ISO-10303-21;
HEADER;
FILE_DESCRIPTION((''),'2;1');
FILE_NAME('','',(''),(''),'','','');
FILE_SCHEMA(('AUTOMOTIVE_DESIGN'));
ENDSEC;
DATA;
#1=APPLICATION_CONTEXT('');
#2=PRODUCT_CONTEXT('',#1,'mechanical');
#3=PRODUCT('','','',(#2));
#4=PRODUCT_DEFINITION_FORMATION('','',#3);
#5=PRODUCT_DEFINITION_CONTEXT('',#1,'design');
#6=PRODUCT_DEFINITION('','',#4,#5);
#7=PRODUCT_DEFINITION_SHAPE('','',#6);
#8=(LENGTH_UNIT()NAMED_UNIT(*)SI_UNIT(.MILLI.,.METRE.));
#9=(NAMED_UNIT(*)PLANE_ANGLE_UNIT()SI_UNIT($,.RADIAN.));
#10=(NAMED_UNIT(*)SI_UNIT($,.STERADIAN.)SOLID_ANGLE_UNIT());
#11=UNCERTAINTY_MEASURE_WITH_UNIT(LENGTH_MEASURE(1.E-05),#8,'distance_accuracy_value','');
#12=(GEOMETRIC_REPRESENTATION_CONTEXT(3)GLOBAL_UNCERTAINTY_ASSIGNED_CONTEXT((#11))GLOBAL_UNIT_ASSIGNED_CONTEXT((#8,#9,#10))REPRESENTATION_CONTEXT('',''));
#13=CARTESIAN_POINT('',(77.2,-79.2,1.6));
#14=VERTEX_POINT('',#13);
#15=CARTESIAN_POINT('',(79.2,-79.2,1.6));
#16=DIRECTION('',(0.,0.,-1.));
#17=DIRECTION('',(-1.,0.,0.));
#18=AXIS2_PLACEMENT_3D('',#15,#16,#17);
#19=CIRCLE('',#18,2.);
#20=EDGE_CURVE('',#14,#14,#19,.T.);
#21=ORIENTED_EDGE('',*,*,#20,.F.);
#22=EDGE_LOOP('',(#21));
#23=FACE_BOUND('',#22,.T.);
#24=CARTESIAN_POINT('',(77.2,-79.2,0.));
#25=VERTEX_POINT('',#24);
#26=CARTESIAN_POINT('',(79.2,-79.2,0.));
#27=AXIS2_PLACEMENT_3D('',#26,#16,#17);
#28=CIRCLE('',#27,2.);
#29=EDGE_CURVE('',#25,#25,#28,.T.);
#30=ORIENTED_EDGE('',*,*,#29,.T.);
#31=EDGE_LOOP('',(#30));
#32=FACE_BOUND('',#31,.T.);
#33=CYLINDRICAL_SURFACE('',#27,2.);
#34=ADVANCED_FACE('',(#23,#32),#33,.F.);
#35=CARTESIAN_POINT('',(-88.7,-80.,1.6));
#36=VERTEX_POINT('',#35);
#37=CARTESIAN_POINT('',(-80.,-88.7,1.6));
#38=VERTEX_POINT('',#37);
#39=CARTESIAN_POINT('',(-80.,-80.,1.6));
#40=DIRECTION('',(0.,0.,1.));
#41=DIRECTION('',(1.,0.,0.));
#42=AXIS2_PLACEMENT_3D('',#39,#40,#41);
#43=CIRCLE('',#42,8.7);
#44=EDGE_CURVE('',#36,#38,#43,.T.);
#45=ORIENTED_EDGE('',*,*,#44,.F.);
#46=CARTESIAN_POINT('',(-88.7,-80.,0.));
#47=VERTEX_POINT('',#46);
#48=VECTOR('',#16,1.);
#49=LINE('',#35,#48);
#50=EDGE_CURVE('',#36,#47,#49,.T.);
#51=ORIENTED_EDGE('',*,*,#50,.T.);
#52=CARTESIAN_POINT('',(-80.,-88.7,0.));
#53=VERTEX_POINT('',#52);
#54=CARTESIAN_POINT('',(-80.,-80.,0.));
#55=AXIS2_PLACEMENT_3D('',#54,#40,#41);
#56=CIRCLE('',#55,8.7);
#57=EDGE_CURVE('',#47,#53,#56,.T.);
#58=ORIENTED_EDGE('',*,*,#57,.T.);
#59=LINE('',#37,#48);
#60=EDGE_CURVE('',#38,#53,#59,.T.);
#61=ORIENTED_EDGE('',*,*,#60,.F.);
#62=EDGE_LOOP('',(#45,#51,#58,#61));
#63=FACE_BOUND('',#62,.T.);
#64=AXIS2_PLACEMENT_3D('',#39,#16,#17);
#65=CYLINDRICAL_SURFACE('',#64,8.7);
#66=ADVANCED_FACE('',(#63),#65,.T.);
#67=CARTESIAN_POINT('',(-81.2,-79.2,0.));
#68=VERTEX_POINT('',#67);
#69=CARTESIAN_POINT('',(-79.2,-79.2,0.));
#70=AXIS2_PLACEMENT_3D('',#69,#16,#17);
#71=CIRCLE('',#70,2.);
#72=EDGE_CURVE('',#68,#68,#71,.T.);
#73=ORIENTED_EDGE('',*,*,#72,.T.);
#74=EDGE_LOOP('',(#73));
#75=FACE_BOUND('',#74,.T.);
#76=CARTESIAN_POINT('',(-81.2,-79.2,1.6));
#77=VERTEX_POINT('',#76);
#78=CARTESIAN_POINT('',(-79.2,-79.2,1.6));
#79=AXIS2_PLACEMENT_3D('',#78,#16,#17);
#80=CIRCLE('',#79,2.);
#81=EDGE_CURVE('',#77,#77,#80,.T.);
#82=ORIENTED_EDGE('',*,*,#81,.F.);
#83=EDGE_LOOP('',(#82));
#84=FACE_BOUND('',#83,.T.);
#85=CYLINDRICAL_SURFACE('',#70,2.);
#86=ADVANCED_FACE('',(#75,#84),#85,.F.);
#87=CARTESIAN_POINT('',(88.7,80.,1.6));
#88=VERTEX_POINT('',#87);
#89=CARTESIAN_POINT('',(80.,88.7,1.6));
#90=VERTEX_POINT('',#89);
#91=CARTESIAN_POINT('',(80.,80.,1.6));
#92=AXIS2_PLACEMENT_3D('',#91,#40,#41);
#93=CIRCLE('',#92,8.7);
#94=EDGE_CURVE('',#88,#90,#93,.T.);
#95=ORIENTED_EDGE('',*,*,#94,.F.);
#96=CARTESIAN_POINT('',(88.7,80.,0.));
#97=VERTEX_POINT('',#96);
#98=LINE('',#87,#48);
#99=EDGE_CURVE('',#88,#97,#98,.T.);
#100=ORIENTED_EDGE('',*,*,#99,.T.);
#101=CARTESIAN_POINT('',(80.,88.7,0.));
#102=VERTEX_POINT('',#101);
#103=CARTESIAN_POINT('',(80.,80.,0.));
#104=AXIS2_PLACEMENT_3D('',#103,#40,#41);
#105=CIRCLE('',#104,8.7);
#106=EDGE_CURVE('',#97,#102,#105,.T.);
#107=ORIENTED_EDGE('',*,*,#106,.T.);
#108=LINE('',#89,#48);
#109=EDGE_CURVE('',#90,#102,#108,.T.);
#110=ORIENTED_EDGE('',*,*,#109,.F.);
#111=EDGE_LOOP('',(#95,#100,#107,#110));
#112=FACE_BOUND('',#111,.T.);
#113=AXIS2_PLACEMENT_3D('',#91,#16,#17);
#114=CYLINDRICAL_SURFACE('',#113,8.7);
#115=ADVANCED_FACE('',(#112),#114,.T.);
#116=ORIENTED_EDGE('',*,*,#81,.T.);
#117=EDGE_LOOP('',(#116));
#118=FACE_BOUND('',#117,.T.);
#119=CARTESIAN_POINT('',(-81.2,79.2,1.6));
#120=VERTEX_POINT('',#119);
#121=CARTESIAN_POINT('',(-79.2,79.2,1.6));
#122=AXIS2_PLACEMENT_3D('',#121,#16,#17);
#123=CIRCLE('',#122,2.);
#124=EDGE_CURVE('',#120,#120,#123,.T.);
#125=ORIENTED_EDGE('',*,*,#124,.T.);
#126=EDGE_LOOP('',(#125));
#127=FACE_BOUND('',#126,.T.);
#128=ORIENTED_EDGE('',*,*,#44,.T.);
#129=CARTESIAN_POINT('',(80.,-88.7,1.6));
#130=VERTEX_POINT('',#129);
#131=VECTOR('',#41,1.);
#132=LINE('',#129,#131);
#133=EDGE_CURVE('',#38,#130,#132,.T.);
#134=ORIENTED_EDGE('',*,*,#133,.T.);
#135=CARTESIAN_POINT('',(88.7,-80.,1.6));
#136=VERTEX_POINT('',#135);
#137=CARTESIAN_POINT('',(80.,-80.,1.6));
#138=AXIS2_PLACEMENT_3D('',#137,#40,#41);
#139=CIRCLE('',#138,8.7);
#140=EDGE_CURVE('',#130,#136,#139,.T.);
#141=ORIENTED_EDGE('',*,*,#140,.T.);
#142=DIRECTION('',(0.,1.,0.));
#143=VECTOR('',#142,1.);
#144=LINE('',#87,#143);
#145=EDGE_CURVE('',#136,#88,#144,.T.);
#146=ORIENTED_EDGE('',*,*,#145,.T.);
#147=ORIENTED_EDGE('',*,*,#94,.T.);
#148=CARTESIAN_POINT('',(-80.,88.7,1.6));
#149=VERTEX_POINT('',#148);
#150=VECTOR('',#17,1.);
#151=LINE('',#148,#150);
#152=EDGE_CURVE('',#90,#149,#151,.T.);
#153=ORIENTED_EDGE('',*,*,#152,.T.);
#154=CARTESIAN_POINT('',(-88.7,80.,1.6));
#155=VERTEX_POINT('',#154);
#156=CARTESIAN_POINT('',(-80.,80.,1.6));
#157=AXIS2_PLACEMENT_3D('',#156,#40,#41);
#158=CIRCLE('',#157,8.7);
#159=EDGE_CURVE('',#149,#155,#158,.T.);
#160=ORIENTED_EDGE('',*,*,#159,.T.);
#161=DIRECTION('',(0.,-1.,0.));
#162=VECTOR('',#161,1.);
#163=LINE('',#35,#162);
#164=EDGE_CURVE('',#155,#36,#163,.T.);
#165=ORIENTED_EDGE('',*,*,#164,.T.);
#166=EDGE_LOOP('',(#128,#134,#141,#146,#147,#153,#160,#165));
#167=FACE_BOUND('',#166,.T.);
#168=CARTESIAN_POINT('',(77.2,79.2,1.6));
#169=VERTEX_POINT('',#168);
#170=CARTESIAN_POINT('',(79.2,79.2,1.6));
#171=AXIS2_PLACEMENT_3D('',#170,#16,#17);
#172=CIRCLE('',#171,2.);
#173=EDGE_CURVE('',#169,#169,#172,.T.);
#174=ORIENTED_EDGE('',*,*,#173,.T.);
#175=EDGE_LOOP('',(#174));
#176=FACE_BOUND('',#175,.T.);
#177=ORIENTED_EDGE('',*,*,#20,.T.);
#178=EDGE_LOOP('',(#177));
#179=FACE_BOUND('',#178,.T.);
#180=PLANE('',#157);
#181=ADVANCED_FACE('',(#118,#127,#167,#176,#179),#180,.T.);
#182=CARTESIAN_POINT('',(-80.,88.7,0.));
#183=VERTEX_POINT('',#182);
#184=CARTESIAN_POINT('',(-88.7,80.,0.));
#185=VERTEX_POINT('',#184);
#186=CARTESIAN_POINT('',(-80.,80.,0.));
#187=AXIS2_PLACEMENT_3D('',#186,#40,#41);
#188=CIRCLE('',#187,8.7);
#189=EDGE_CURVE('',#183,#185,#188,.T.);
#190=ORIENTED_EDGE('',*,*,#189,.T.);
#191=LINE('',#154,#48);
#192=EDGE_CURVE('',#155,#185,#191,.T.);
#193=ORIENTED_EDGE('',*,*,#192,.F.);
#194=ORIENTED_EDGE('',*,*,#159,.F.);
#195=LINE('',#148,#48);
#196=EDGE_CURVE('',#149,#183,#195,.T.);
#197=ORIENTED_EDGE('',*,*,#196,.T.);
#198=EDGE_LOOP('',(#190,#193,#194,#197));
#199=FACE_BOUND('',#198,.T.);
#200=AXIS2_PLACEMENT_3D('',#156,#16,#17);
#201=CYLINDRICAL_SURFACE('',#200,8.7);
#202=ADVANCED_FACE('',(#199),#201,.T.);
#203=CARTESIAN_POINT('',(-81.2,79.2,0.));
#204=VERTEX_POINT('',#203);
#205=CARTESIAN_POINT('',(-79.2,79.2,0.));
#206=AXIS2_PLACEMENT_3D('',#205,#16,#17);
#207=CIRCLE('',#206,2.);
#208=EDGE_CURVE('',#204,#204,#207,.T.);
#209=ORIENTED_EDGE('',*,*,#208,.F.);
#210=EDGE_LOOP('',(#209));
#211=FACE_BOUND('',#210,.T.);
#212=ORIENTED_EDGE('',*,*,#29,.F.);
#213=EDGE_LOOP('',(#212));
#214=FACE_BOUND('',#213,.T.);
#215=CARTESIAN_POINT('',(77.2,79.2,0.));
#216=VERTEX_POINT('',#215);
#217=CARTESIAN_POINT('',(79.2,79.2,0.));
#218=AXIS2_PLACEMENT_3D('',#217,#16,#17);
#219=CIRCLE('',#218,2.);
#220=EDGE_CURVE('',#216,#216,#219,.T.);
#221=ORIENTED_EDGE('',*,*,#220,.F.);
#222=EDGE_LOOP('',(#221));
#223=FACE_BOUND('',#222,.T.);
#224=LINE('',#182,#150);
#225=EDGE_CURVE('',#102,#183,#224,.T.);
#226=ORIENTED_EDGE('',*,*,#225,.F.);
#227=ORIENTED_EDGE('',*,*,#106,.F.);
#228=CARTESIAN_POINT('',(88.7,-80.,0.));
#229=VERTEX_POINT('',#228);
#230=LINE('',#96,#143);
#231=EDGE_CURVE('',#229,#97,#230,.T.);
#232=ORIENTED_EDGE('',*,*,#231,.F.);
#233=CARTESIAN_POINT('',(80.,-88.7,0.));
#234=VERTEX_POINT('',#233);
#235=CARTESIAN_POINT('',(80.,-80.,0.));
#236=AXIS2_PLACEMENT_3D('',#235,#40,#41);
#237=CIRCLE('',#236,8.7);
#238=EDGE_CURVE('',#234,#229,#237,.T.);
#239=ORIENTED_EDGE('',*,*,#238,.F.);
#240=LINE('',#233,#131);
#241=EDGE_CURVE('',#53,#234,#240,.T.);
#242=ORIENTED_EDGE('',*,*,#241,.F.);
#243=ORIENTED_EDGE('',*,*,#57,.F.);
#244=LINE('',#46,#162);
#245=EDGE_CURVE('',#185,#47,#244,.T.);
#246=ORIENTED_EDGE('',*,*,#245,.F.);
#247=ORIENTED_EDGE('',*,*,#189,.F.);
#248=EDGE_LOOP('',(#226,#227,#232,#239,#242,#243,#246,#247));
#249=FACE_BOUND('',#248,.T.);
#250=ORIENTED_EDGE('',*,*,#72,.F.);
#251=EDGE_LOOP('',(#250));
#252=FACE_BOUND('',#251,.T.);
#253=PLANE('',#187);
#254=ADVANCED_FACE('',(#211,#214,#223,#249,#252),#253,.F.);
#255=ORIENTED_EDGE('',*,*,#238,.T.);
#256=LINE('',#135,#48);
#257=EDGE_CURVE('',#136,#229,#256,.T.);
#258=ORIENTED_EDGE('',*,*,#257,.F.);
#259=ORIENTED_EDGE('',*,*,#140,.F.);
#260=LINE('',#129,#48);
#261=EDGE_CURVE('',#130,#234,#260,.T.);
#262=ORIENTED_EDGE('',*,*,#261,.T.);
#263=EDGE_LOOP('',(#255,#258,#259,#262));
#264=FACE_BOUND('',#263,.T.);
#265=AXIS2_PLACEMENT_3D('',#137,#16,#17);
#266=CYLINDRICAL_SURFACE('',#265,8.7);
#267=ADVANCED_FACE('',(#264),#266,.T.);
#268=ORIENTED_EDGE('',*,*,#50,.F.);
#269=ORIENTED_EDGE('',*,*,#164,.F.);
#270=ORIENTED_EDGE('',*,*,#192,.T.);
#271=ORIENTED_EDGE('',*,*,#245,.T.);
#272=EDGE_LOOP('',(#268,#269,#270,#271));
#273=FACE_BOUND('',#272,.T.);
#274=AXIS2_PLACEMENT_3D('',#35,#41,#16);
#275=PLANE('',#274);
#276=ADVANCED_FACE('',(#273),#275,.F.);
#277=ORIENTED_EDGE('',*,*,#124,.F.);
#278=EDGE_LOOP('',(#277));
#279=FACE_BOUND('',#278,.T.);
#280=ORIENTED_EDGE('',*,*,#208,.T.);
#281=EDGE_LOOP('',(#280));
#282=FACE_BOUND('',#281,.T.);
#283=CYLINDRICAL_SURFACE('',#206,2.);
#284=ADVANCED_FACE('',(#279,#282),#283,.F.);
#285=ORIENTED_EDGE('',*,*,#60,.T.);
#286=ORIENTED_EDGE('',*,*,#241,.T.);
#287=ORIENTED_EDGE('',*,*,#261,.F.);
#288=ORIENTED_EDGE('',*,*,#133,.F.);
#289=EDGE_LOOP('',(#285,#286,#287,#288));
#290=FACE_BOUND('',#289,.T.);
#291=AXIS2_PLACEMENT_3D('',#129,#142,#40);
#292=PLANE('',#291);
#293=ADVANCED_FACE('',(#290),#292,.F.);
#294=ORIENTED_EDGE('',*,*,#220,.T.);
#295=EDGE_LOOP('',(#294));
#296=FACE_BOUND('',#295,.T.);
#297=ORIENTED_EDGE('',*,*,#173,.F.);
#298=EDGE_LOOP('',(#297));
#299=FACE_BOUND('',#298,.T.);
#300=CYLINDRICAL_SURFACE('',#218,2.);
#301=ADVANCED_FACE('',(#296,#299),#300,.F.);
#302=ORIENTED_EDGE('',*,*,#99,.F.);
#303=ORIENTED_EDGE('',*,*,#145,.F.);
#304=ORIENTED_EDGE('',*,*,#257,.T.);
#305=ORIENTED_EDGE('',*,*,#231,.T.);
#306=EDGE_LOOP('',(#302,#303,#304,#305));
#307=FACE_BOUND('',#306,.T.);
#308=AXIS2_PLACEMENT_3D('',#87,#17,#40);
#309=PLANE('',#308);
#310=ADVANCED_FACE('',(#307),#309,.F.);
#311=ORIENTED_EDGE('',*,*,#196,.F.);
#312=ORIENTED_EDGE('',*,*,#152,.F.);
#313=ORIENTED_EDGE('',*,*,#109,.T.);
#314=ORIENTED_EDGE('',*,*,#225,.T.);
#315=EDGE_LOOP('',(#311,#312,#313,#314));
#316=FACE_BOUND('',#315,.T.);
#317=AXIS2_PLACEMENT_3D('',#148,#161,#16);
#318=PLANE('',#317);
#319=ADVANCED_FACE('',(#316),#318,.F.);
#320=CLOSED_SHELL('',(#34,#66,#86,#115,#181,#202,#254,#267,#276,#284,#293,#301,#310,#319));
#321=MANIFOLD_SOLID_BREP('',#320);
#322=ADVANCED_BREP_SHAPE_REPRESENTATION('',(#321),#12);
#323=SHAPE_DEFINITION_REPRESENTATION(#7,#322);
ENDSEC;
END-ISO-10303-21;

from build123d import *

# Parameters (mm, degrees)
BOSS_EXTRUDE1_DEPTH      = 1.6
F_4_0_4_DIAMETER_HOLE1_D = 4


with BuildPart() as part:
    # Sketch1 → Boss-Extrude1 (new body)
    with BuildSketch(Plane.XY):
        with BuildLine():
            Line((-80, 88.7), (80, 88.7))
            ThreePointArc((80, 88.7), (86.151828996, 86.151828996), (88.7, 80))
            Line((88.7, 80), (88.7, -80))
            ThreePointArc((88.7, -80), (86.151828996, -86.151828996), (80, -88.7))
            Line((80, -88.7), (-80, -88.7))
            ThreePointArc((-80, -88.7), (-86.151828996, -86.151828996), (-88.7, -80))
            Line((-88.7, -80), (-88.7, 80))
            ThreePointArc((-88.7, 80), (-86.151828996, 86.151828996), (-80, 88.7))
        make_face()
    extrude(amount=BOSS_EXTRUDE1_DEPTH)

    # Ø4.0 (4) Diameter Hole1 (through all)
    with Locations(Plane(origin=(0, 0, 0), x_dir=(-1, 0, 0), z_dir=(0, 0, -1))):
        with Locations((-79.2, 79.2), (79.2, 79.2), (-79.2, -79.2), (79.2, -79.2)):
            Hole(F_4_0_4_DIAMETER_HOLE1_D / 2)


solid = part.part
